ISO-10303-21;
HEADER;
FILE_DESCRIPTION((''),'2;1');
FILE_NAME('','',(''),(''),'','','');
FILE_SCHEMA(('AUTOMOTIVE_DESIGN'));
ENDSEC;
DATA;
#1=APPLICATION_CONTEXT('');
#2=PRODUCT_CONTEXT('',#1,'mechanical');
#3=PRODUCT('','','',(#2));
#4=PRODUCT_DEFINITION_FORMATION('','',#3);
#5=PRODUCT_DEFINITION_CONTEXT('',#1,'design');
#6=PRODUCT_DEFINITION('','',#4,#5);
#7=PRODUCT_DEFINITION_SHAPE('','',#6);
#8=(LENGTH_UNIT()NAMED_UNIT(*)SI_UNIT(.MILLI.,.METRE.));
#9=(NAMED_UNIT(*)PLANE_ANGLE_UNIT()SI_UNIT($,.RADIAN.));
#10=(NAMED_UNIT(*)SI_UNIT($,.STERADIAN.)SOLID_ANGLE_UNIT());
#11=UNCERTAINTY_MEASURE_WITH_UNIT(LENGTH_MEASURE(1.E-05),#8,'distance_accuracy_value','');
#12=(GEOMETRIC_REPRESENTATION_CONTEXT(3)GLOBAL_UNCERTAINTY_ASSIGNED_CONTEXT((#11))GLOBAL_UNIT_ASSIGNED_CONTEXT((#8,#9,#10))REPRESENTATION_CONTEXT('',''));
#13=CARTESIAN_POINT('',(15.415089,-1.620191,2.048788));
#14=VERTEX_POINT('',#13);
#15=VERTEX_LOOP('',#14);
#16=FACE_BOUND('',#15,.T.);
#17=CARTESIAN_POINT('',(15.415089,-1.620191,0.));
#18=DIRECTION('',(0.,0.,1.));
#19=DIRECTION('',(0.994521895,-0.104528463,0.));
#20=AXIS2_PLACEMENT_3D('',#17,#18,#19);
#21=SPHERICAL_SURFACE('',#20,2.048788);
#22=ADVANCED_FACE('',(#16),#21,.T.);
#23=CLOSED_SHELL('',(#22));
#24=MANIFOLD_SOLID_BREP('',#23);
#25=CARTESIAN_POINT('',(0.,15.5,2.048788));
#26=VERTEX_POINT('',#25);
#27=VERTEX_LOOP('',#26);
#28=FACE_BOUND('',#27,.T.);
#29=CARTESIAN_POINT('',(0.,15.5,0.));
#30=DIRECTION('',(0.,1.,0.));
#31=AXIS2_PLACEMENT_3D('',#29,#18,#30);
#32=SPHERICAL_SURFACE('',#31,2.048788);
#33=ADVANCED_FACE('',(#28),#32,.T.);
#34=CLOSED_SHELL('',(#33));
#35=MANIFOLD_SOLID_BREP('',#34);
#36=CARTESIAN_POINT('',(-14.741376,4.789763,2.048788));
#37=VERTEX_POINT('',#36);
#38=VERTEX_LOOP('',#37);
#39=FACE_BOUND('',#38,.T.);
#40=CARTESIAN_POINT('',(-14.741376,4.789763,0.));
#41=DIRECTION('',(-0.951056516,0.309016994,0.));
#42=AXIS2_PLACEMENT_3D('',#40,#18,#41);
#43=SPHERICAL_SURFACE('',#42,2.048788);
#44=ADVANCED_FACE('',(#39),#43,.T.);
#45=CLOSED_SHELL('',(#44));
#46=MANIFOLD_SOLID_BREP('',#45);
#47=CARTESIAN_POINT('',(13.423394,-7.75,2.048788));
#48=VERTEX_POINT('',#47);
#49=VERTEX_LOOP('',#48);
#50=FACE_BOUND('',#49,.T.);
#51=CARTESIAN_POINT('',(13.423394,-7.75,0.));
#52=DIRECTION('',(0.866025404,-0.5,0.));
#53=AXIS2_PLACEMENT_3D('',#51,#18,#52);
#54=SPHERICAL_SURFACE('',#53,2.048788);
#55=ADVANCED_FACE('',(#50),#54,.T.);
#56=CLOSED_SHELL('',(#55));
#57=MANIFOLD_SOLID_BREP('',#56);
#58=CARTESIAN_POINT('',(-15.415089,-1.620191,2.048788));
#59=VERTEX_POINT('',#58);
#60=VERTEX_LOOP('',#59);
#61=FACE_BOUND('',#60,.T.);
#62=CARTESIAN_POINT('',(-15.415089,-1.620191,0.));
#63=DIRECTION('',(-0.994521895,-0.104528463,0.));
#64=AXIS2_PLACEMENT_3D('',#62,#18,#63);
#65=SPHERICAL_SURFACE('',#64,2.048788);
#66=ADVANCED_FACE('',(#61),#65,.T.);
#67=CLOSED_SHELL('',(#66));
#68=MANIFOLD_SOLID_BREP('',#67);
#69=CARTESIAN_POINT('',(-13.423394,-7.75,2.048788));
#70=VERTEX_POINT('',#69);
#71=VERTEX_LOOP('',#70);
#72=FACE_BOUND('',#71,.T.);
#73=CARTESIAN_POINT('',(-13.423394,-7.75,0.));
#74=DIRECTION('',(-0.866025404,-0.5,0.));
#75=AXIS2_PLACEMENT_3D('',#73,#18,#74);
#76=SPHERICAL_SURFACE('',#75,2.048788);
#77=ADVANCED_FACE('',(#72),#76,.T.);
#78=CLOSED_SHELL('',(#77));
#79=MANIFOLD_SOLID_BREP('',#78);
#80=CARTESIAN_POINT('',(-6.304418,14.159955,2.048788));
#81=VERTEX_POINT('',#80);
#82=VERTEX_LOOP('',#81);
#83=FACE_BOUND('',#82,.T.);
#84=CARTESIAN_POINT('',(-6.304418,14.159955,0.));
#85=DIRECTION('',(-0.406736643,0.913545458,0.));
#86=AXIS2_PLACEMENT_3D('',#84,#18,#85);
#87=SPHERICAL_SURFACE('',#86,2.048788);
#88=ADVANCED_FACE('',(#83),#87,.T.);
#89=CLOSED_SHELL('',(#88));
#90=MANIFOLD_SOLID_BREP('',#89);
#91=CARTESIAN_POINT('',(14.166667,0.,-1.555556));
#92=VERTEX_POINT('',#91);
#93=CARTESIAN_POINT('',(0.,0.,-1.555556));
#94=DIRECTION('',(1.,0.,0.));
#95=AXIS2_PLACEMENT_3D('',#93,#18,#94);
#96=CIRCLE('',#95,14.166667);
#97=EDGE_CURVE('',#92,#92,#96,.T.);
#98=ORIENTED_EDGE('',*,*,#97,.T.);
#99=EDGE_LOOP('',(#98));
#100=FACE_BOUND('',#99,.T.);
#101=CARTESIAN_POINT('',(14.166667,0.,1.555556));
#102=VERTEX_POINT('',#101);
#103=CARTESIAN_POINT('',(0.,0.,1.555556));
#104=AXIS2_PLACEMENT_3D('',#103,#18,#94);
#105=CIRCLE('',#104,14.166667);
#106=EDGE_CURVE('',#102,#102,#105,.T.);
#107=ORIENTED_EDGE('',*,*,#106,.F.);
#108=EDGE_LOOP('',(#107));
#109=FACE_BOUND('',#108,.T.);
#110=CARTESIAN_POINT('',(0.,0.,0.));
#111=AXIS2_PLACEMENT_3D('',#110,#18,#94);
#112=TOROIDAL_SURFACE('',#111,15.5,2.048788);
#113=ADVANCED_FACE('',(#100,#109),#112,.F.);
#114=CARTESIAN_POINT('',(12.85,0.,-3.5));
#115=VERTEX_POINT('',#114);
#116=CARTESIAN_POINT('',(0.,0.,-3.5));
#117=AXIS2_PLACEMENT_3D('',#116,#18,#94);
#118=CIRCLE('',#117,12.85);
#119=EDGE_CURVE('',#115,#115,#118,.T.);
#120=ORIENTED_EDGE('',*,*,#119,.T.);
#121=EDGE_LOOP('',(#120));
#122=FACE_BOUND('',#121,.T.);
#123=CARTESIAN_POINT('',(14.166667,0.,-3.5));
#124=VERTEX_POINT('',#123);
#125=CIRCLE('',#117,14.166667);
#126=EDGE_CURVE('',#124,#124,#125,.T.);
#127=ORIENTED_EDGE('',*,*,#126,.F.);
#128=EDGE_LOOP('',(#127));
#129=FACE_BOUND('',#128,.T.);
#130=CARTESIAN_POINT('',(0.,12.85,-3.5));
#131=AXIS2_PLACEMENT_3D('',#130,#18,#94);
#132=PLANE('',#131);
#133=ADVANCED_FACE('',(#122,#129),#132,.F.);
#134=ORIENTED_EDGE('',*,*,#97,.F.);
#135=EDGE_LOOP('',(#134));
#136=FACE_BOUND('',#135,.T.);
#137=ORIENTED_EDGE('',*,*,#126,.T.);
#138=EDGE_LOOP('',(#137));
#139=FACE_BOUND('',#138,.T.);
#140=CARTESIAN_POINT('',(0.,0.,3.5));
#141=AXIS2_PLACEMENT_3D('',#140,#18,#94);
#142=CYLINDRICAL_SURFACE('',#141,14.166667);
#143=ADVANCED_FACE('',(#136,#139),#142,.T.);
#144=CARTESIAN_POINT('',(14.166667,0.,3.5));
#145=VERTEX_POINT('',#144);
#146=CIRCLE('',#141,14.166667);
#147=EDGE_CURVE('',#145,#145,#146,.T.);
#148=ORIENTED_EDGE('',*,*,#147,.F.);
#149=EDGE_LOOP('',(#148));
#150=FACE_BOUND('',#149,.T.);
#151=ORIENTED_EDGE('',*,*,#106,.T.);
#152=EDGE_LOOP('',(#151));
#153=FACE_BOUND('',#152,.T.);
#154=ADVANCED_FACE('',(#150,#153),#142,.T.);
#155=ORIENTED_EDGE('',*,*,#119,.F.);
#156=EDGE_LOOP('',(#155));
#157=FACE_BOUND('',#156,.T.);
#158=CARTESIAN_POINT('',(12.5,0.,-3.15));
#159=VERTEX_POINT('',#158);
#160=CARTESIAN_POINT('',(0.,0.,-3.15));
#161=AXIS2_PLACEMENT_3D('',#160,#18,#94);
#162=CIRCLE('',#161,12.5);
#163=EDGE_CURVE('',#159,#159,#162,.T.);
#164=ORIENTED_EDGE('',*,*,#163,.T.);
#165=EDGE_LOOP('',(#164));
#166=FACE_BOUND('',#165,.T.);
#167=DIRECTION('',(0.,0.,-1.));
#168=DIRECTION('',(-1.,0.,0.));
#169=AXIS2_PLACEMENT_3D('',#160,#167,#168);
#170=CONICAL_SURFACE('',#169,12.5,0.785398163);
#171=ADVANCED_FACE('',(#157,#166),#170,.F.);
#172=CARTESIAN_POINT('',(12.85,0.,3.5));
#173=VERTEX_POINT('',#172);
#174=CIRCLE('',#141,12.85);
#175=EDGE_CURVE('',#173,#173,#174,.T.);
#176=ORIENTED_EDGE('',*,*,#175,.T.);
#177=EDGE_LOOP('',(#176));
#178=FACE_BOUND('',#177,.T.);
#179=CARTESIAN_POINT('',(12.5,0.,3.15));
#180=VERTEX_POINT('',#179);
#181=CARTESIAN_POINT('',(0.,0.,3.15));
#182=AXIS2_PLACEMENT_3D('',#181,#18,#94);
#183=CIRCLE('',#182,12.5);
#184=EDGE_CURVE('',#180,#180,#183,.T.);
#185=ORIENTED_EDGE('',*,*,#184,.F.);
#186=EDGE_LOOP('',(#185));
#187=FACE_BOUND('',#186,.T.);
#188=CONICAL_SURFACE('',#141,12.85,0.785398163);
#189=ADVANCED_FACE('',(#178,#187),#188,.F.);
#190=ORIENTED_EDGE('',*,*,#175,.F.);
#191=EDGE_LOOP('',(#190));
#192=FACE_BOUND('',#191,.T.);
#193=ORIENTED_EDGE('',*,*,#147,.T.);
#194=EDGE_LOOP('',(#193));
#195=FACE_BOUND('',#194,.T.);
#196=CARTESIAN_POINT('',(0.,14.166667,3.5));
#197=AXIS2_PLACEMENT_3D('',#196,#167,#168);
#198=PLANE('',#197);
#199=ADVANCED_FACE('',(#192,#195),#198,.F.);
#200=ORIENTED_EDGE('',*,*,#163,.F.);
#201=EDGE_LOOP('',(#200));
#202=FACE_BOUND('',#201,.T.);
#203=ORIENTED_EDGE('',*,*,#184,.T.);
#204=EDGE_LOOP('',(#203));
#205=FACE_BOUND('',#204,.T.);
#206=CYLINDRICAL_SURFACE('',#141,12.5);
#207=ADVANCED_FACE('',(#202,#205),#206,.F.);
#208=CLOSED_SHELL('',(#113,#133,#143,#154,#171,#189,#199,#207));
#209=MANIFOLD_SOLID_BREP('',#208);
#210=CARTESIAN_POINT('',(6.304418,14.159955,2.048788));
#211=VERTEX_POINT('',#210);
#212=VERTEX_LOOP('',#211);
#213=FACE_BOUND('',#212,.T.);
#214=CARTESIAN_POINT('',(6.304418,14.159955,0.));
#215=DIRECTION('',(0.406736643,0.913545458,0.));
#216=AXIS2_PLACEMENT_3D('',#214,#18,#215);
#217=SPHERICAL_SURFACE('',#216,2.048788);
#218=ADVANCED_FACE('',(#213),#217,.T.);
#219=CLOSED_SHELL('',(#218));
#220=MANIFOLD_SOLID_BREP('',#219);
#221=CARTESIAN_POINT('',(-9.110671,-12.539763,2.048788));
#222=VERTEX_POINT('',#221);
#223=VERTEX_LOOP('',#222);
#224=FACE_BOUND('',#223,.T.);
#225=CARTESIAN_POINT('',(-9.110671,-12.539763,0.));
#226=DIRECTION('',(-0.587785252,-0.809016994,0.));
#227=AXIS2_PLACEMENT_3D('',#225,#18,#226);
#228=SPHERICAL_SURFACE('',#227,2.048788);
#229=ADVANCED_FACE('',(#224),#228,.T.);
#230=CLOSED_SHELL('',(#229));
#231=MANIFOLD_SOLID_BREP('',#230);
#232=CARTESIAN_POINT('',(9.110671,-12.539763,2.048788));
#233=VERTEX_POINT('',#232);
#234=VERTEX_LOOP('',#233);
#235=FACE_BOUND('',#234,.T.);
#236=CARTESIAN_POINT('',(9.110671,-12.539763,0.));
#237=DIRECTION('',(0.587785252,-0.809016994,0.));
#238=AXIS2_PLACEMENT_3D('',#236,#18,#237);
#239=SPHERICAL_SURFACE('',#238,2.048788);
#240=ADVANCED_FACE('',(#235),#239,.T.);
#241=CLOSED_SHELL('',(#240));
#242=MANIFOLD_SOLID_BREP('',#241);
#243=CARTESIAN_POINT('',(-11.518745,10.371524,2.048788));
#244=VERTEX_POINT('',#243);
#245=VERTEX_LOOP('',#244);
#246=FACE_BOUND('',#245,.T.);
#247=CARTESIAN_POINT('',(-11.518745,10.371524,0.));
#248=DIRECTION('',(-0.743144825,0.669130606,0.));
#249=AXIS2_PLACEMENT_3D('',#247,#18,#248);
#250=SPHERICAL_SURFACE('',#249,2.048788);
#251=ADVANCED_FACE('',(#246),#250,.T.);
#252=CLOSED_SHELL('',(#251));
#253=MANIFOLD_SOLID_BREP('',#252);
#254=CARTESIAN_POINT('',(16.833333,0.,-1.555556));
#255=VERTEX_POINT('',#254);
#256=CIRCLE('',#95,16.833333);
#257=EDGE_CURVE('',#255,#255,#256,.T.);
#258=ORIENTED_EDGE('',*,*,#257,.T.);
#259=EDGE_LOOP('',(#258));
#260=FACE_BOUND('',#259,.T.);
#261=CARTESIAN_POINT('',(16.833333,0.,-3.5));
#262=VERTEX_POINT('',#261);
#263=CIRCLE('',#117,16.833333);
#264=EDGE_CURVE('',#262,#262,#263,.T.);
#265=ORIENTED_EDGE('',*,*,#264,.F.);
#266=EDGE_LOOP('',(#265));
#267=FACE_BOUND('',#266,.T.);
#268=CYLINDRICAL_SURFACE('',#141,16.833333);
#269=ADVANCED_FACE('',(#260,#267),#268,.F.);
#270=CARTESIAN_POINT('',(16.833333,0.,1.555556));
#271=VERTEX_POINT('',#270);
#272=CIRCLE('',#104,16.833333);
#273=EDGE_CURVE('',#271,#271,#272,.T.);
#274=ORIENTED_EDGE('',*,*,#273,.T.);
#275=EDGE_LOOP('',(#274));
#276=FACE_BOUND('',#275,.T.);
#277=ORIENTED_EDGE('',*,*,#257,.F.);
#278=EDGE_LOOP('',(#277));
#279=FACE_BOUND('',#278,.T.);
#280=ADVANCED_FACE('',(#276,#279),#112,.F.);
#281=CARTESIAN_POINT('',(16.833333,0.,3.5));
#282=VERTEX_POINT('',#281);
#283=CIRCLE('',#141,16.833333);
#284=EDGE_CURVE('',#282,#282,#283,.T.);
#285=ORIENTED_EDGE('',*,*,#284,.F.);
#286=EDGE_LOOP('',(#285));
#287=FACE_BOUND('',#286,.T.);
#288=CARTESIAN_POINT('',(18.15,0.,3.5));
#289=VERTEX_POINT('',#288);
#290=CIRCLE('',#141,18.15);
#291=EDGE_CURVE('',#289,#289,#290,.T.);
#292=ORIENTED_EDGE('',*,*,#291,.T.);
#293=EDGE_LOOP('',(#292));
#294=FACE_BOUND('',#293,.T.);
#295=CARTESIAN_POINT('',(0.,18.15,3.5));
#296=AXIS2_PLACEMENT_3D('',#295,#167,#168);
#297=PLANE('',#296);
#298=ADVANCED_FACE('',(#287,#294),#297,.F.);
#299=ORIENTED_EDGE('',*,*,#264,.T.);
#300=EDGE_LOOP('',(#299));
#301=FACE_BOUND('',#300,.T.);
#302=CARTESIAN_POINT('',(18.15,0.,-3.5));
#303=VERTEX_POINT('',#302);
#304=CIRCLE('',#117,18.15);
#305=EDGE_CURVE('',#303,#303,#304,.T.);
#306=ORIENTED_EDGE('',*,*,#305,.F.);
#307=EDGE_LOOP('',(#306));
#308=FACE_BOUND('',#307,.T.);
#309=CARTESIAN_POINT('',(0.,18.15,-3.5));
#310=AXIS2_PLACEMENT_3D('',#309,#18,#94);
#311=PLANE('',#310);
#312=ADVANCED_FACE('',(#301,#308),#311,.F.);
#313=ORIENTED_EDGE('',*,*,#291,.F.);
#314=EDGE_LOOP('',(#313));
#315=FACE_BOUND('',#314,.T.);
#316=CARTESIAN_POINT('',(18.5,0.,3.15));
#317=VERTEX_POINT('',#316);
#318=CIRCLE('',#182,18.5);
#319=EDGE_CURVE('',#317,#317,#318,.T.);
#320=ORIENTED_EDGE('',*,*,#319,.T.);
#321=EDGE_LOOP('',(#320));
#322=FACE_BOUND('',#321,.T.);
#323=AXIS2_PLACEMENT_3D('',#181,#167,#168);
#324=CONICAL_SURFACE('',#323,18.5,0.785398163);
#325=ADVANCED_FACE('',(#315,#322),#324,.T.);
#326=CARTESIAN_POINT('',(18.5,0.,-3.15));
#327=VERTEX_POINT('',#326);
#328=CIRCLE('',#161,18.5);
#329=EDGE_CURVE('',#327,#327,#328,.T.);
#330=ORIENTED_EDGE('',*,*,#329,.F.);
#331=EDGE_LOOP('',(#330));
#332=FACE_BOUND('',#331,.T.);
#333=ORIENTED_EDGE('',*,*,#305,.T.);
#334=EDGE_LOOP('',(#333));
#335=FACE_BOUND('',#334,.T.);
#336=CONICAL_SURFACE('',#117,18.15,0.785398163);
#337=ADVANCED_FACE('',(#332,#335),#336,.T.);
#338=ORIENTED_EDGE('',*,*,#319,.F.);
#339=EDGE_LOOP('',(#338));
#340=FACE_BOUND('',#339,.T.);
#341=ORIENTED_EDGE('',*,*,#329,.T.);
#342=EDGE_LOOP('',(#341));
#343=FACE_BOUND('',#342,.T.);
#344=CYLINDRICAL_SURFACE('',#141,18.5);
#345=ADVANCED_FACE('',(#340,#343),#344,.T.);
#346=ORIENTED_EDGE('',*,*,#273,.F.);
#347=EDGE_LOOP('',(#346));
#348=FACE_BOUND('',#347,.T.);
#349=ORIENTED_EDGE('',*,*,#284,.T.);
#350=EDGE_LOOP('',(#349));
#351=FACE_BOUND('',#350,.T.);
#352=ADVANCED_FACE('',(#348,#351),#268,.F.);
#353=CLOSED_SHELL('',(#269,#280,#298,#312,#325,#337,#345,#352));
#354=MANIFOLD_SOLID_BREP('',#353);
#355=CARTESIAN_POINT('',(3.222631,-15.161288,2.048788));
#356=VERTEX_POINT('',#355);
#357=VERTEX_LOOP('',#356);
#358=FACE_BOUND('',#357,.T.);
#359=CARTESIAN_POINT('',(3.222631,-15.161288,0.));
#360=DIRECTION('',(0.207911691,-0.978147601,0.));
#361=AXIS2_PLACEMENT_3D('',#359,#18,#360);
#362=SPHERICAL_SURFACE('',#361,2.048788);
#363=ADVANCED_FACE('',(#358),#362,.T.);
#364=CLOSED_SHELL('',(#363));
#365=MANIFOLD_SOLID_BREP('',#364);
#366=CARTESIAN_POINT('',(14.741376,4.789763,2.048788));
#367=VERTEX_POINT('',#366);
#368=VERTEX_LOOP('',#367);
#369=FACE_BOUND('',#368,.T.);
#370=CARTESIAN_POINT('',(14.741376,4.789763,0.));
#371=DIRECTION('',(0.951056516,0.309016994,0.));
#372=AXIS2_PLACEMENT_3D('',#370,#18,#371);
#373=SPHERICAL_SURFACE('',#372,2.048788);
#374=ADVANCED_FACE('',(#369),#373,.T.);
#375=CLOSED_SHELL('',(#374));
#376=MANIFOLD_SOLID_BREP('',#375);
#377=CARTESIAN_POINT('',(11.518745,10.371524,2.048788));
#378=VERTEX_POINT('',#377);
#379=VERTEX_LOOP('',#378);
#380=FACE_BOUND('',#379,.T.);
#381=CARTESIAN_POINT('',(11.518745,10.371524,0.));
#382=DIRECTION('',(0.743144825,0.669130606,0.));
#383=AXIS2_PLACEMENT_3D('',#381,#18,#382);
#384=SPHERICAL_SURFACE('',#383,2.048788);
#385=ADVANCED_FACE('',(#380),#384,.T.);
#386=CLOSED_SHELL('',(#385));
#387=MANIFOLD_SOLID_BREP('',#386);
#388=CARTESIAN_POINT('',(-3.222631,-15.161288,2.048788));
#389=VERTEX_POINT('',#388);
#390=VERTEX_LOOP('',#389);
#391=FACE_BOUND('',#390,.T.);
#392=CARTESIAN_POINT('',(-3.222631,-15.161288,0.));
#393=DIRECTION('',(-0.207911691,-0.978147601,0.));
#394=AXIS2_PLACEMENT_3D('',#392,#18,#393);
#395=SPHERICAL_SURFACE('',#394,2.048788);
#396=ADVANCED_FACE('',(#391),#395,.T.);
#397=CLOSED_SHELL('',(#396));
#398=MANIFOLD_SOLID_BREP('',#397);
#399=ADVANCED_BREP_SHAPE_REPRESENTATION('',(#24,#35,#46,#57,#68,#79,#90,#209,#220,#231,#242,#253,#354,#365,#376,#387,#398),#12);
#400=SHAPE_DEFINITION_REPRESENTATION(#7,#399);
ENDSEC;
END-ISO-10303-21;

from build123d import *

# Parameters (mm, degrees)
CIRPATTERN1_COUNT = 15


with BuildPart() as part:
    # Sketch5 → Revolve1 (revolve)
    with BuildSketch(Plane(origin=(0, 0, 0), x_dir=(0, 0, -1), z_dir=(1, 0, 0))):
        with BuildLine():
            Line((3.15, 18.5), (-3.15, 18.5))
            Line((-3.15, 18.5), (-3.5, 18.15))
            Line((-3.5, 18.15), (-3.5, 16.833333333))
            Line((-3.5, 16.833333333), (-1.555555556, 16.833333333))
            ThreePointArc((-1.555555556, 16.833333333), (0, 17.548787657), (1.555555556, 16.833333333))
            Line((1.555555556, 16.833333333), (3.5, 16.833333333))
            Line((3.5, 16.833333333), (3.5, 18.15))
            Line((3.5, 18.15), (3.15, 18.5))
        make_face()
    revolve(axis=Axis((0, 0, 3.5), (0, 0, -1)))


with BuildPart() as body_2:
    # Sketch3 → Revolve3 (revolve)
    with BuildSketch(Plane(origin=(0, 0, 0), x_dir=(0, 0, -1), z_dir=(1, 0, 0))):
        with BuildLine():
            Line((-3.5, 14.166666667), (-1.555555556, 14.166666667))
            ThreePointArc((-1.555555556, 14.166666667), (0, 13.451212343), (1.555555556, 14.166666667))
            Line((1.555555556, 14.166666667), (3.5, 14.166666667))
            Line((3.5, 14.166666667), (3.5, 12.85))
            Line((3.5, 12.85), (3.15, 12.5))
            Line((3.15, 12.5), (-3.15, 12.5))
            Line((-3.15, 12.5), (-3.5, 12.85))
            Line((-3.5, 12.85), (-3.5, 14.166666667))
        make_face()
    revolve(axis=Axis((0, 0, 3.5), (0, 0, -1)))


with BuildPart() as body_3:
    # Sketch4 → Revolve4 (revolve)
    with BuildSketch(Plane(origin=(0, 0, 0), x_dir=(0, 0, -1), z_dir=(1, 0, 0))):
        with BuildLine():
            Line((-2.048787657, 15.5), (2.048787657, 15.5))
            ThreePointArc((2.048787657, 15.5), (0, 17.548787657), (-2.048787657, 15.5))
        make_face()
    revolve(axis=Axis((0, 15.5, 2.048787657), (0, 0, -1)))


with BuildPart() as cirpattern1_1:
    # CirPattern1: pattern copy
    add(body_3.part.rotate(Axis((0, 0, 0), (0, 0, 1)), 1 * 360 / CIRPATTERN1_COUNT))


with BuildPart() as cirpattern1_2:
    # CirPattern1: pattern copy
    add(body_3.part.rotate(Axis((0, 0, 0), (0, 0, 1)), 2 * 360 / CIRPATTERN1_COUNT))


with BuildPart() as cirpattern1_3:
    # CirPattern1: pattern copy
    add(body_3.part.rotate(Axis((0, 0, 0), (0, 0, 1)), 3 * 360 / CIRPATTERN1_COUNT))


with BuildPart() as cirpattern1_4:
    # CirPattern1: pattern copy
    add(body_3.part.rotate(Axis((0, 0, 0), (0, 0, 1)), 4 * 360 / CIRPATTERN1_COUNT))


with BuildPart() as cirpattern1_5:
    # CirPattern1: pattern copy
    add(body_3.part.rotate(Axis((0, 0, 0), (0, 0, 1)), 5 * 360 / CIRPATTERN1_COUNT))


with BuildPart() as cirpattern1_6:
    # CirPattern1: pattern copy
    add(body_3.part.rotate(Axis((0, 0, 0), (0, 0, 1)), 6 * 360 / CIRPATTERN1_COUNT))


with BuildPart() as cirpattern1_7:
    # CirPattern1: pattern copy
    add(body_3.part.rotate(Axis((0, 0, 0), (0, 0, 1)), 7 * 360 / CIRPATTERN1_COUNT))


with BuildPart() as cirpattern1_8:
    # CirPattern1: pattern copy
    add(body_3.part.rotate(Axis((0, 0, 0), (0, 0, 1)), 8 * 360 / CIRPATTERN1_COUNT))


with BuildPart() as cirpattern1_9:
    # CirPattern1: pattern copy
    add(body_3.part.rotate(Axis((0, 0, 0), (0, 0, 1)), 9 * 360 / CIRPATTERN1_COUNT))


with BuildPart() as cirpattern1_10:
    # CirPattern1: pattern copy
    add(body_3.part.rotate(Axis((0, 0, 0), (0, 0, 1)), 10 * 360 / CIRPATTERN1_COUNT))


with BuildPart() as cirpattern1_11:
    # CirPattern1: pattern copy
    add(body_3.part.rotate(Axis((0, 0, 0), (0, 0, 1)), 11 * 360 / CIRPATTERN1_COUNT))


with BuildPart() as cirpattern1_12:
    # CirPattern1: pattern copy
    add(body_3.part.rotate(Axis((0, 0, 0), (0, 0, 1)), 12 * 360 / CIRPATTERN1_COUNT))


with BuildPart() as cirpattern1_13:
    # CirPattern1: pattern copy
    add(body_3.part.rotate(Axis((0, 0, 0), (0, 0, 1)), 13 * 360 / CIRPATTERN1_COUNT))


with BuildPart() as cirpattern1_14:
    # CirPattern1: pattern copy
    add(body_3.part.rotate(Axis((0, 0, 0), (0, 0, 1)), 14 * 360 / CIRPATTERN1_COUNT))


solid = Compound([part.part, body_2.part, body_3.part, cirpattern1_1.part, cirpattern1_2.part, cirpattern1_3.part, cirpattern1_4.part, cirpattern1_5.part, cirpattern1_6.part, cirpattern1_7.part, cirpattern1_8.part, cirpattern1_9.part, cirpattern1_10.part, cirpattern1_11.part, cirpattern1_12.part, cirpattern1_13.part, cirpattern1_14.part])
